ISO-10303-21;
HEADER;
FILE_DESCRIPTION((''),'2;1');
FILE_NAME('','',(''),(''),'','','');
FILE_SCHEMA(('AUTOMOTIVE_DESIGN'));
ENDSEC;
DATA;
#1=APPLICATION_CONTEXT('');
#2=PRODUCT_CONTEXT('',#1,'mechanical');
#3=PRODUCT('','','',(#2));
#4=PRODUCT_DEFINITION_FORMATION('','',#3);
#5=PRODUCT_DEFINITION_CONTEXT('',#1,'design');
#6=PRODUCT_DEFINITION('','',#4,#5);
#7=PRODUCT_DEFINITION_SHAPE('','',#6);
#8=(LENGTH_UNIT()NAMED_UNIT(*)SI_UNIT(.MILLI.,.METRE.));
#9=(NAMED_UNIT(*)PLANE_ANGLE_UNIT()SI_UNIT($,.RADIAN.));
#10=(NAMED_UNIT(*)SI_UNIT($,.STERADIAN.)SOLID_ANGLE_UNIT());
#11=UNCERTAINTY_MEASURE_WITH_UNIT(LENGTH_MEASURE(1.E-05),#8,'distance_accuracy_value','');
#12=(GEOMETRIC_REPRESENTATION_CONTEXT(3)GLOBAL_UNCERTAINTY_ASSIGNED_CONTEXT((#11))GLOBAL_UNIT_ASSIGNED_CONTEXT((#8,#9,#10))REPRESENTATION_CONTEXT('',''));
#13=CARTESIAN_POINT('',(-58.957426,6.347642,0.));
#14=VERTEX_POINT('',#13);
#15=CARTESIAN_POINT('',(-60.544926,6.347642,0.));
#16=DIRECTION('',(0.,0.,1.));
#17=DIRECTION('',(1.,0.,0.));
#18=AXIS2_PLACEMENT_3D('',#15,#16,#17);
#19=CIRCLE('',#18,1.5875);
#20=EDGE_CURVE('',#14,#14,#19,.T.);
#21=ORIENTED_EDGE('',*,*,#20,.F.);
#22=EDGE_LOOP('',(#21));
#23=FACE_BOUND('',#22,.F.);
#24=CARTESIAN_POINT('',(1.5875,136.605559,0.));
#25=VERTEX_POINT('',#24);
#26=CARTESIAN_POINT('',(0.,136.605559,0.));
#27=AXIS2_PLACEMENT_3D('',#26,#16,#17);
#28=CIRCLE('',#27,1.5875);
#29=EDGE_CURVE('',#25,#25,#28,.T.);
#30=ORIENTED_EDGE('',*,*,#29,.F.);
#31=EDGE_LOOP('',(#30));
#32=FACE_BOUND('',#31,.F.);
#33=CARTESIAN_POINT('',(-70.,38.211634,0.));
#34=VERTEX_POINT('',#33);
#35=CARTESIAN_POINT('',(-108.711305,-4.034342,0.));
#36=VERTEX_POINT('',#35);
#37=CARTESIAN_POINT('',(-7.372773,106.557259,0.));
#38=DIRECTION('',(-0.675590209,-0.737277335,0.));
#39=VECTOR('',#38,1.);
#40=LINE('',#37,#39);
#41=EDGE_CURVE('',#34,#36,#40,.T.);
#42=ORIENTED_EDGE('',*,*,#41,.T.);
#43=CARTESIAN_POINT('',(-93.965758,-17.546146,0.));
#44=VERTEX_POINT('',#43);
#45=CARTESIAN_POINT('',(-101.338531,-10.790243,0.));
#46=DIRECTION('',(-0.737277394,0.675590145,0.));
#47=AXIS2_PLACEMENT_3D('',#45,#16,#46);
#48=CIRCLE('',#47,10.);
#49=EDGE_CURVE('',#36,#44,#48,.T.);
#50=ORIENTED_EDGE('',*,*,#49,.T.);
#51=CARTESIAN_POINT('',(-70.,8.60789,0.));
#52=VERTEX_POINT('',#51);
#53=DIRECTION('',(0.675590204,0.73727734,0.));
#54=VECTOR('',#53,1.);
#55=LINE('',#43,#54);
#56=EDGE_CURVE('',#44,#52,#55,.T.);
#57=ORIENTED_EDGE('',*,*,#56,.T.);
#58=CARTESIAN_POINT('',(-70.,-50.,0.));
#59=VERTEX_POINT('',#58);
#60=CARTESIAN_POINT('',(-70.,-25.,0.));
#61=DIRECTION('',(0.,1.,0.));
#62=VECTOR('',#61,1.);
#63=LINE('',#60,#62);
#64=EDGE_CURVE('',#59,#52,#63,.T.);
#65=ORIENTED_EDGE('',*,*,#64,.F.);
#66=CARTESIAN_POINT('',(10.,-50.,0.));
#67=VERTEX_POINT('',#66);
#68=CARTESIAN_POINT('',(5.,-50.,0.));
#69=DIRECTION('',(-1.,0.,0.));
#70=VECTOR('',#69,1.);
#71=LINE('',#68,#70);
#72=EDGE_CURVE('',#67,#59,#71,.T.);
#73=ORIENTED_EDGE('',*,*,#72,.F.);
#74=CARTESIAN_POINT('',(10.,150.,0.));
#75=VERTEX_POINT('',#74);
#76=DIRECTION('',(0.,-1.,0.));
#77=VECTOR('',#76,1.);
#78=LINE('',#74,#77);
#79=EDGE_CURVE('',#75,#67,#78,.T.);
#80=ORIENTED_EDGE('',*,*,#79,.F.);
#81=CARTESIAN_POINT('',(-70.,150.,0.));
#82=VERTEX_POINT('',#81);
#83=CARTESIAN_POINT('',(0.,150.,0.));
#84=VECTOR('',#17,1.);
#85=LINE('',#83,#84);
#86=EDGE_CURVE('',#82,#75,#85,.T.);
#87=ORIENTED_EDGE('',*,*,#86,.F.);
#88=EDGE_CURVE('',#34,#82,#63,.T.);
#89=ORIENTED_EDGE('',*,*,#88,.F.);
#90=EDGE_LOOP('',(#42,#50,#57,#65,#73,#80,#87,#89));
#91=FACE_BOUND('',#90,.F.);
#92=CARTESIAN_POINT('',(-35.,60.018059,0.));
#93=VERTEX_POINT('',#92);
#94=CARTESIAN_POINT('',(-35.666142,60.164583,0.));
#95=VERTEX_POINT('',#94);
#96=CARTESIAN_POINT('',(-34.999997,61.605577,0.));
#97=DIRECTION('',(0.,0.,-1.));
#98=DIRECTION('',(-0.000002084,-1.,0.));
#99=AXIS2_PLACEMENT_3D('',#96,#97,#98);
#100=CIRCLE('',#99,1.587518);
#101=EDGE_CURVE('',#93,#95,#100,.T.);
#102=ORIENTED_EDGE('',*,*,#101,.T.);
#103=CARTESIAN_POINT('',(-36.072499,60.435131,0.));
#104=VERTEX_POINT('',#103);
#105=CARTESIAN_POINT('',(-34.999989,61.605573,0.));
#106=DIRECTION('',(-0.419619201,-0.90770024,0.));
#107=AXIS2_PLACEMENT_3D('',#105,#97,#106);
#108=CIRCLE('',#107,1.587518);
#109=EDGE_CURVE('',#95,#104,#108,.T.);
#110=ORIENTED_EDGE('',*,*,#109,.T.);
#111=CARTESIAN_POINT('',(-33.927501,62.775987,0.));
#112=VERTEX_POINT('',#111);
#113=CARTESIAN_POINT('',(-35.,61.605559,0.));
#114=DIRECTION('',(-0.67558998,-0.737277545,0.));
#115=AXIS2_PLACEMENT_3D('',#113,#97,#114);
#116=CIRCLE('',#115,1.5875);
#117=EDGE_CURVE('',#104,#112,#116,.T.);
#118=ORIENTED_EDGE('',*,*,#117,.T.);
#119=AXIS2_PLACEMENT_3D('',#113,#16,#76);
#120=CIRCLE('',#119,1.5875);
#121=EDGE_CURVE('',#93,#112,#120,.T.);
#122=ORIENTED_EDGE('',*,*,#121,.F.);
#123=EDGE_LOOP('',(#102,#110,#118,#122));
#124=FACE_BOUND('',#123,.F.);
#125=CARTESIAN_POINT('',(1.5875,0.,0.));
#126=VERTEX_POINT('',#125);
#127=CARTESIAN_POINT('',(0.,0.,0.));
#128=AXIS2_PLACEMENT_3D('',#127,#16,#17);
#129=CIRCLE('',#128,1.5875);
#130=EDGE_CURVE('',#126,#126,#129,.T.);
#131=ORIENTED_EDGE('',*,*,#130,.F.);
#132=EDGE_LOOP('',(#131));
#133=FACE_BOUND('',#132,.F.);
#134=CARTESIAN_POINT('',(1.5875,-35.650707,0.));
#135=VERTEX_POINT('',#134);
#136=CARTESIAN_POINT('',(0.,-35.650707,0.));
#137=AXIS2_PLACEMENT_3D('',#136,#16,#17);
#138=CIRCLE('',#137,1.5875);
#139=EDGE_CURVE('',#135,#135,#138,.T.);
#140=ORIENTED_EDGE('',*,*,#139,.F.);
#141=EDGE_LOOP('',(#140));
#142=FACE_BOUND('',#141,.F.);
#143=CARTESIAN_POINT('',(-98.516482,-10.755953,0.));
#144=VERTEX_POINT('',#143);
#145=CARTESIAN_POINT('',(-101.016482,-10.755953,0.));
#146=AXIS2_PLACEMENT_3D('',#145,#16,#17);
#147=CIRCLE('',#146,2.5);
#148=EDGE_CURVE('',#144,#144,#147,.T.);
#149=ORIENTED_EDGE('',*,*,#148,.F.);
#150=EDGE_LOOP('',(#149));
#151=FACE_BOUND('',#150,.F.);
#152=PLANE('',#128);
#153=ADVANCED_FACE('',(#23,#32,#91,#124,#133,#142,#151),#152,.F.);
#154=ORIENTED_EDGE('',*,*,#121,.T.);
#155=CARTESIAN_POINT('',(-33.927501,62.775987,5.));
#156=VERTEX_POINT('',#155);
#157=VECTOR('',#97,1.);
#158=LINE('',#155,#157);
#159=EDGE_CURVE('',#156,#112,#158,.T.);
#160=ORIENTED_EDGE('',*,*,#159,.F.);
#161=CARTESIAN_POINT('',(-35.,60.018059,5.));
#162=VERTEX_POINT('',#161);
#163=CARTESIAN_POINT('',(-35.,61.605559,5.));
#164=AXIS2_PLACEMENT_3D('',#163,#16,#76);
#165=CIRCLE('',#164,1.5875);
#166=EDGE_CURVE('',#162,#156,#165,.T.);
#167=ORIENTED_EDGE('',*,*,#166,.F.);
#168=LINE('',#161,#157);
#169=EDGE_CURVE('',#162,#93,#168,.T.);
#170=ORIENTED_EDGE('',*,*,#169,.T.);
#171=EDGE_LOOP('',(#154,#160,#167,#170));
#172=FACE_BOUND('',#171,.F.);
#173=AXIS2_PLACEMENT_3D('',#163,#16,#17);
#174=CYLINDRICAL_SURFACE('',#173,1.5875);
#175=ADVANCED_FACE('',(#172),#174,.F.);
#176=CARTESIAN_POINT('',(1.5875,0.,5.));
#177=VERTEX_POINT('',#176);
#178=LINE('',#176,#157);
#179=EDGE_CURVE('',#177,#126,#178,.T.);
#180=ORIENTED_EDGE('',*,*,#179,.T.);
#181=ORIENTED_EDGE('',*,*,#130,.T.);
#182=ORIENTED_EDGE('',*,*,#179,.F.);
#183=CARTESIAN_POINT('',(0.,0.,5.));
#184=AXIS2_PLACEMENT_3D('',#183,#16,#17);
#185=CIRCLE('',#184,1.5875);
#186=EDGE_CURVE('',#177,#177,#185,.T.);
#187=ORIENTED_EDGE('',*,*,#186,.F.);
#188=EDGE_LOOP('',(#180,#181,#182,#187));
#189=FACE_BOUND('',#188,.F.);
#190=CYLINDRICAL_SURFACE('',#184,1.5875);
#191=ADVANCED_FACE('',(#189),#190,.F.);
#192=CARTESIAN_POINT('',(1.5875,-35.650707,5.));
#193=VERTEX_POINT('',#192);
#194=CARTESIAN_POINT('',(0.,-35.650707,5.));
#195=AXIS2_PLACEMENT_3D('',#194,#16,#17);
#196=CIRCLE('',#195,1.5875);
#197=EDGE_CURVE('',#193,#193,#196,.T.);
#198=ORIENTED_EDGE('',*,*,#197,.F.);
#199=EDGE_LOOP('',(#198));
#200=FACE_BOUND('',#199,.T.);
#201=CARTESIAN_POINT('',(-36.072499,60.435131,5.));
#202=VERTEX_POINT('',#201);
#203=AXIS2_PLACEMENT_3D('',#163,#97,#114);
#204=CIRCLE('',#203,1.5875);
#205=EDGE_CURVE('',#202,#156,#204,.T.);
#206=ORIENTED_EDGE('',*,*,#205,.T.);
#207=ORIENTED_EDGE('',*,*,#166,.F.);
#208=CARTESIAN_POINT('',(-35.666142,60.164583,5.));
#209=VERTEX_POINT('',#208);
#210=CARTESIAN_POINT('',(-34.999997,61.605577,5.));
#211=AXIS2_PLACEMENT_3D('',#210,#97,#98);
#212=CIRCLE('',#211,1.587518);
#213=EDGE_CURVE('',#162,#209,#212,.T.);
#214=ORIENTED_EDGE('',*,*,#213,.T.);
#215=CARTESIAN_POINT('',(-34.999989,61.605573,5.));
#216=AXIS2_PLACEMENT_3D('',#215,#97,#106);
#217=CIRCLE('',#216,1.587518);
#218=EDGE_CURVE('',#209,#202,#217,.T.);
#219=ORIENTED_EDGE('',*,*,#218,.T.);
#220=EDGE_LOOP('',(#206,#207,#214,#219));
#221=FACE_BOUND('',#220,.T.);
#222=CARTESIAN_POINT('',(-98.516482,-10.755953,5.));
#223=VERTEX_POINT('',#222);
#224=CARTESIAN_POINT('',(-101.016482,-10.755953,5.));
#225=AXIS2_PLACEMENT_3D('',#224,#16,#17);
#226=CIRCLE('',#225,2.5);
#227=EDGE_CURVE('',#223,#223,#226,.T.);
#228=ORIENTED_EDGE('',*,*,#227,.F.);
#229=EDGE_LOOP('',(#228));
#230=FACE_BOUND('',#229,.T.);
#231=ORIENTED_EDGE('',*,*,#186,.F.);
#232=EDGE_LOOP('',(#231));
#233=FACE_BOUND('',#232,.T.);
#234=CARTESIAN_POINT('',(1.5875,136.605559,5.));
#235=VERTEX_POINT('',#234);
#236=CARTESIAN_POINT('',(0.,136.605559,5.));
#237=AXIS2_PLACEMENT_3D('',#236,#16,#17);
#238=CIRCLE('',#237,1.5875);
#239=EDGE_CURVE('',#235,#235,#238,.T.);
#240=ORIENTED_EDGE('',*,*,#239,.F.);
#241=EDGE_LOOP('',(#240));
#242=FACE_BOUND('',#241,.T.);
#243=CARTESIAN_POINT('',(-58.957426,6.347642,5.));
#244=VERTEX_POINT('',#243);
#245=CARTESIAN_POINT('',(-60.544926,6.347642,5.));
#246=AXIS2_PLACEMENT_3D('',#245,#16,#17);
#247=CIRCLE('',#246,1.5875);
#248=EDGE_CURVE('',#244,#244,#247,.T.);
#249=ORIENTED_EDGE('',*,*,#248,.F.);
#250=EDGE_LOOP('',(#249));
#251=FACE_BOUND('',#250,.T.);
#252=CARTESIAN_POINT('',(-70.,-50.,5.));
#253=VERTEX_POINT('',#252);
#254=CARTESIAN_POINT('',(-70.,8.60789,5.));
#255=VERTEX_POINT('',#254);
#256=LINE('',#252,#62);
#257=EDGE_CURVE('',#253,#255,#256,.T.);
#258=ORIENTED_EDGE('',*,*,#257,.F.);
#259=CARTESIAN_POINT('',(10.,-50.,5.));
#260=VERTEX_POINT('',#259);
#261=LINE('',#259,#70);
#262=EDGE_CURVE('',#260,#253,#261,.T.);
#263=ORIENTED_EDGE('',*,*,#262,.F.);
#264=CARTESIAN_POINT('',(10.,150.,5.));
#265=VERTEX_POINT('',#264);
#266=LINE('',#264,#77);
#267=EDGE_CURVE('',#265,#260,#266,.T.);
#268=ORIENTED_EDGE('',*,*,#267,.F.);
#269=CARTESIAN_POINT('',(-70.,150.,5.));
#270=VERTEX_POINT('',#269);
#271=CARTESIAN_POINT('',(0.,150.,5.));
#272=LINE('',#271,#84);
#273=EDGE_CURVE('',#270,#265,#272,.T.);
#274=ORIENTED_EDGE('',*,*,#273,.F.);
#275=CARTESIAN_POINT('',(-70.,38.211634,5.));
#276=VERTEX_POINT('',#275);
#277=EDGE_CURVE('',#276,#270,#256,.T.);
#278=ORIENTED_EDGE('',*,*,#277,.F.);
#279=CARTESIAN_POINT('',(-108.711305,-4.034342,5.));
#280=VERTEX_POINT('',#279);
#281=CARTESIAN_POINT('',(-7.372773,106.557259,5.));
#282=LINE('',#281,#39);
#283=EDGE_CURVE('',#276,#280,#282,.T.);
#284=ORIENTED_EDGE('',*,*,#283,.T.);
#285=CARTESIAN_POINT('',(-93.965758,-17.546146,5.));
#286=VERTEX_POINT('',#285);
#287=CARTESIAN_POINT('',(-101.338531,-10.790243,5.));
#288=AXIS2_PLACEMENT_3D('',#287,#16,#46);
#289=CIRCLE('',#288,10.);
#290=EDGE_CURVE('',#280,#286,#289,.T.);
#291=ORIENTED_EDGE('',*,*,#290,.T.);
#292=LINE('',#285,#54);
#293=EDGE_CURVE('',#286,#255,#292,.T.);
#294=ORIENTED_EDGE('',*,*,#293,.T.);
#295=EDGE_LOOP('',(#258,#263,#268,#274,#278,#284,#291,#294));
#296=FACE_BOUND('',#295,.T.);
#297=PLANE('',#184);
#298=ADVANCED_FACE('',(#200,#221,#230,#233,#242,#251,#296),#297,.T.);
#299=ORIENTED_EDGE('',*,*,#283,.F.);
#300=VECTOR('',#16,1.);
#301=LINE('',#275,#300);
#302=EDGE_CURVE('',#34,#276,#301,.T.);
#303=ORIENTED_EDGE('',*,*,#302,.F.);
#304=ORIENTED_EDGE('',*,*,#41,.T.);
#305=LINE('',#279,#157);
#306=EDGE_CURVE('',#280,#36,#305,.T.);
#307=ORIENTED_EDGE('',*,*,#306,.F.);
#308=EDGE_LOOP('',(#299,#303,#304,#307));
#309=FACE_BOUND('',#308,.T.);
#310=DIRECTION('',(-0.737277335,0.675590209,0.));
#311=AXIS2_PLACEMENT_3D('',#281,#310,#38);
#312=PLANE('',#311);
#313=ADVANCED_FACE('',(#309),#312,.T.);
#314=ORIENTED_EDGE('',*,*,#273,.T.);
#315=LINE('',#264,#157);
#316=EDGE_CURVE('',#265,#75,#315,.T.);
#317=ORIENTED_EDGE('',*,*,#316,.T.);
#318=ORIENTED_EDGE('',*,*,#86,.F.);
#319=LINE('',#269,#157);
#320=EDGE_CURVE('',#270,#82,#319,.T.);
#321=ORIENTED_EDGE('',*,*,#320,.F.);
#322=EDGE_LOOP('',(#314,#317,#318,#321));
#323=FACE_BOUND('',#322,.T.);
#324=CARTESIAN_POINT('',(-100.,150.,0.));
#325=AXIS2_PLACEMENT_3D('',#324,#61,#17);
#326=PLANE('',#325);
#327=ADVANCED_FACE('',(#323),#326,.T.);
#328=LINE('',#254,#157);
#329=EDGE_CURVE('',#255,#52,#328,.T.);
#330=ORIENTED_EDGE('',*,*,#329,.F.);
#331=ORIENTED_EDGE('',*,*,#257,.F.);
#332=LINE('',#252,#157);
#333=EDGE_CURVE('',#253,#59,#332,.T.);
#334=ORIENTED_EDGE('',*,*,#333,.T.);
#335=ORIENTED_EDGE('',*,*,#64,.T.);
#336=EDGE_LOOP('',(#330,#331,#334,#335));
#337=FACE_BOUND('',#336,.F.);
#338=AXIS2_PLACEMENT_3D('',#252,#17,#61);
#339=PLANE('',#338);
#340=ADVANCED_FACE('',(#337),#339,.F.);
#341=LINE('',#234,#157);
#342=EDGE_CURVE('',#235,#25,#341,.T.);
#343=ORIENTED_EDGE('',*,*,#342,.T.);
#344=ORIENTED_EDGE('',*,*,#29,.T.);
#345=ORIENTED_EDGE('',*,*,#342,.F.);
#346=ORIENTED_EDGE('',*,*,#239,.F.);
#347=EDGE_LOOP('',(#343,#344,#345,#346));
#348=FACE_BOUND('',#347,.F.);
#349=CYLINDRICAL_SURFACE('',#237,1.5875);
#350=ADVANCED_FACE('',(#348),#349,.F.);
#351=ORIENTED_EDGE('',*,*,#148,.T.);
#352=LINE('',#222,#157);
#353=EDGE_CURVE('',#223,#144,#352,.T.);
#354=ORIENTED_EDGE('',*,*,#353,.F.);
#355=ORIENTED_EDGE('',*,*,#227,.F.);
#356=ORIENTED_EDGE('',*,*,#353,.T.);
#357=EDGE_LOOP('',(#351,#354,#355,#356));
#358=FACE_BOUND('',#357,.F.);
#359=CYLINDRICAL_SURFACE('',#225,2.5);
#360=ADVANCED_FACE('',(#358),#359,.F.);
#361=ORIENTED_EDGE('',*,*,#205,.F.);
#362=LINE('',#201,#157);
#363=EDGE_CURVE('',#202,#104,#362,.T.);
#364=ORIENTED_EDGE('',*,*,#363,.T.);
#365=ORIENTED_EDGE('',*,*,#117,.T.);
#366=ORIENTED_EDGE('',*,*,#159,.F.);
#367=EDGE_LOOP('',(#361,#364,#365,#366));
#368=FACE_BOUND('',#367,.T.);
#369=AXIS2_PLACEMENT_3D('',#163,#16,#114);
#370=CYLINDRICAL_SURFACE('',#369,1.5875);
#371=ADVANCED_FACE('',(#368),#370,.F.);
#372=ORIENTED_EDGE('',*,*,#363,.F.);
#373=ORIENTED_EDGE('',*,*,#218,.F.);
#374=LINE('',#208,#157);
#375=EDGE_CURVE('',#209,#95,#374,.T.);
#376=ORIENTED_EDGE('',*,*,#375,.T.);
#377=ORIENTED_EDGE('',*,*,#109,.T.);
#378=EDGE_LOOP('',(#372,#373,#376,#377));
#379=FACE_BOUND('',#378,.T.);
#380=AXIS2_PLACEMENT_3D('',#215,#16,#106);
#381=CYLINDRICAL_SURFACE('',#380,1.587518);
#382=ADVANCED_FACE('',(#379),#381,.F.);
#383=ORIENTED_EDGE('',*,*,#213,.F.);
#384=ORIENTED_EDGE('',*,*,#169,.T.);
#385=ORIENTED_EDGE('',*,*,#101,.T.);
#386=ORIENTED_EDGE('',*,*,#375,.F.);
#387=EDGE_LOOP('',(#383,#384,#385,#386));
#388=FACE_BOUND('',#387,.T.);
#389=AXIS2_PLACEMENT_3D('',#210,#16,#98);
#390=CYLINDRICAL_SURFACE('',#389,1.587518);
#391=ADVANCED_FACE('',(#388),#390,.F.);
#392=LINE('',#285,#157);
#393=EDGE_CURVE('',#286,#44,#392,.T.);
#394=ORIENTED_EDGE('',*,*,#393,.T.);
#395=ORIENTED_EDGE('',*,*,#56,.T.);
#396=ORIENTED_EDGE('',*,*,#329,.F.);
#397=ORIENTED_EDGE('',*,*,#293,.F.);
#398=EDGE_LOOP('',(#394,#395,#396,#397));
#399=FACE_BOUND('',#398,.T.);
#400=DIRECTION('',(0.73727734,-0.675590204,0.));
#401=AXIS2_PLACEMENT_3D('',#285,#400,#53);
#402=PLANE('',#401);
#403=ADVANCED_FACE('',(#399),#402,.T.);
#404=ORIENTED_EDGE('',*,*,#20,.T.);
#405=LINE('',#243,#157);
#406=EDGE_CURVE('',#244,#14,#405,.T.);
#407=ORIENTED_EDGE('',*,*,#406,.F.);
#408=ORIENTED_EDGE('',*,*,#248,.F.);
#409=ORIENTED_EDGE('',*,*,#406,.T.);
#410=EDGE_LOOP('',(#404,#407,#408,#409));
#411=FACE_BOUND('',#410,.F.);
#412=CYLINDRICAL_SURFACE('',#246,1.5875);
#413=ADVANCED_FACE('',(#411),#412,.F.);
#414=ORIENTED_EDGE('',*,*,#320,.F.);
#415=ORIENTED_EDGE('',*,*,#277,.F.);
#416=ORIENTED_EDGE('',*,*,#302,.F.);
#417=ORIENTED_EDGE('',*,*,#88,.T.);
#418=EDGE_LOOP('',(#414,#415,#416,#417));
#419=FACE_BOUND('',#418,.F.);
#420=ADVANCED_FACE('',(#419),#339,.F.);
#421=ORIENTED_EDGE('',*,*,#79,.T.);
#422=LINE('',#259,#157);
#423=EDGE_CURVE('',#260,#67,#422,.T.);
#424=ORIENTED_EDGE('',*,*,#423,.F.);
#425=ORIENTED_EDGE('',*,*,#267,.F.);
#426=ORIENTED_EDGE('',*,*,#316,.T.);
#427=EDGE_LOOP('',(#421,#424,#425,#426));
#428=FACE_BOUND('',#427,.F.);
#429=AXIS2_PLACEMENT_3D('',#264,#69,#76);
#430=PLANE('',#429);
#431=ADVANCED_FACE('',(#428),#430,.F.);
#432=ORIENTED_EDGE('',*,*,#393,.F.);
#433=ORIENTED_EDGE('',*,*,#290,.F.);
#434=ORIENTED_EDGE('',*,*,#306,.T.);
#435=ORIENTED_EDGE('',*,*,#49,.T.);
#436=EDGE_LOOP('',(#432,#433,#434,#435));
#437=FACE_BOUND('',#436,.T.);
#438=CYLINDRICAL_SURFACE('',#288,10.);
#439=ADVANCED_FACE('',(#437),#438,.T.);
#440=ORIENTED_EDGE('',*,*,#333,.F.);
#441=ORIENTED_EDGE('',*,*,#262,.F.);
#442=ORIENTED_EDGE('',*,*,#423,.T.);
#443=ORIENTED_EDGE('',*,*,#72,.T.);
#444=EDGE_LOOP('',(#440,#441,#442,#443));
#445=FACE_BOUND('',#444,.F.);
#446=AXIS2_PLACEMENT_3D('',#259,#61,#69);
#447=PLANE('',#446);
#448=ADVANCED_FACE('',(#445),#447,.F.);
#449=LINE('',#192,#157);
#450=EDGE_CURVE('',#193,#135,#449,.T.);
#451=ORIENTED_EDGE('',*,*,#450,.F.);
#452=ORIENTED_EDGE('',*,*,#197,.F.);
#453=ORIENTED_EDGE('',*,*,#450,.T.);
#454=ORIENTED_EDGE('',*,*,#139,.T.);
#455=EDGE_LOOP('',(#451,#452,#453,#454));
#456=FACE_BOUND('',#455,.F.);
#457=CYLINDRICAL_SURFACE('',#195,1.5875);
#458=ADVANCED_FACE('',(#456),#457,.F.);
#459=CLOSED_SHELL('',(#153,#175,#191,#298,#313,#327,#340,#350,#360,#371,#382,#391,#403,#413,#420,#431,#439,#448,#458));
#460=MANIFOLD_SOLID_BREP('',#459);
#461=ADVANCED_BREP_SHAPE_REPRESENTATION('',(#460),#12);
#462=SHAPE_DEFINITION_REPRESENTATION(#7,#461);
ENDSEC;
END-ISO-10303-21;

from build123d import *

# Parameters (mm, degrees)
F0_W     = 200
F0_H     = 300
F1_DEPTH = 5
F2_R     = 1.5875
F3_DEPTH = 5.001
F4_R     = 1.5875
F5_DEPTH = 25
F7_DEPTH = 5
F8_R     = 2.5
F9_DEPTH = 25


with BuildPart() as f1:
    # F0 (on Top) → F1 (new body)
    with BuildSketch(Plane.XY):
        Rectangle(F0_W, F0_H)
    extrude(amount=F1_DEPTH)

    # F2 (on face) → F3 (cut, through all)
    with BuildSketch(Plane.XY.offset(5)):
        Circle(F2_R)
        with Locations((0, -35.650707)):
            Circle(F2_R)
        with Locations((-60.544926, 6.347642)):
            Circle(F2_R)
        with Locations((-35, 61.605559)):
            Circle(F2_R)
        with Locations((0, 136.605559)):
            Circle(F2_R)
    extrude(amount=-F3_DEPTH, mode=Mode.SUBTRACT)

    # F4 (on face) → F5 (cut)
    with BuildSketch(Plane.XY.offset(5)):
        Polygon((-70, -50), (-70, 150), (-100, 150), (-100, -150), (100, -150), (100, 150), (10, 150), (10, -50), align=None)
        Circle(F4_R)
        with Locations((0, -35.650707)):
            Circle(F4_R)
        with Locations((-60.544926, 6.347642)):
            Circle(F4_R)
        with Locations((-35, 61.605559)):
            Circle(F4_R)
        with Locations((0, 136.605559)):
            Circle(F4_R)
    extrude(amount=-F5_DEPTH, mode=Mode.SUBTRACT)

    # F6 (on face) → F7 (join)
    with BuildSketch(Plane.XY.offset(5)):
        with BuildLine():
            ThreePointArc((-33.4125, 61.605559), (-33.877468, 60.483027), (-35, 60.018059))
            Line((-35, 60.018059), (-35, 46.803687))
            Line((-35, 46.803687), (0, 84.999484))
            Line((0, 84.999484), (0, 99.801357))
            Line((0, 99.801357), (-33.927501, 62.775987))
            ThreePointArc((-33.927501, 62.775987), (-33.546943, 62.244919), (-33.4125, 61.605559))
        make_face()
        with BuildLine():
            Line((-35, 46.803687), (-35, 60.018059))
            ThreePointArc((-35, 60.018059), (-35.341033, 60.055123), (-35.666142, 60.164583))
            Line((-35.666142, 60.164583), (-48.809552, 31.733206))
            Line((-48.809552, 31.733206), (-35, 46.803687))
        make_face()
        with BuildLine():
            ThreePointArc((-36.072499, 60.435131), (-36.170428, 62.678058), (-33.927501, 62.775987))
            Line((-33.927501, 62.775987), (0, 99.801357))
            Line((0, 99.801357), (0, 109.801357))
            ThreePointArc((0, 109.801357), (-4.027467, 108.954471), (-7.372773, 106.557259))
            Line((-7.372773, 106.557259), (-108.711305, -4.034342))
            ThreePointArc((-108.711305, -4.034342), (-108.094433, -18.163017), (-93.965758, -17.546146))
            Line((-93.965758, -17.546146), (-48.809552, 31.733206))
            Line((-48.809552, 31.733206), (-35.666142, 60.164583))
            ThreePointArc((-35.666142, 60.164583), (-35.879783, 60.284144), (-36.072499, 60.435131))
        make_face()
        with BuildLine():
            Line((0, 109.801357), (0, 99.801357))
            Line((0, 99.801357), (0, 84.999484))
            Line((0, 84.999484), (7.372773, 93.045455))
            ThreePointArc((7.372773, 93.045455), (9.153115, 103.828823), (0, 109.801357))
        make_face()
    extrude(amount=-F7_DEPTH)

    # F8 (on face) → F9 (cut)
    with BuildSketch(Plane.XY.offset(5)):
        with Locations((-101.016482, -10.755953)):
            Circle(F8_R)
    extrude(amount=-F9_DEPTH, mode=Mode.SUBTRACT)


solid = f1.part
